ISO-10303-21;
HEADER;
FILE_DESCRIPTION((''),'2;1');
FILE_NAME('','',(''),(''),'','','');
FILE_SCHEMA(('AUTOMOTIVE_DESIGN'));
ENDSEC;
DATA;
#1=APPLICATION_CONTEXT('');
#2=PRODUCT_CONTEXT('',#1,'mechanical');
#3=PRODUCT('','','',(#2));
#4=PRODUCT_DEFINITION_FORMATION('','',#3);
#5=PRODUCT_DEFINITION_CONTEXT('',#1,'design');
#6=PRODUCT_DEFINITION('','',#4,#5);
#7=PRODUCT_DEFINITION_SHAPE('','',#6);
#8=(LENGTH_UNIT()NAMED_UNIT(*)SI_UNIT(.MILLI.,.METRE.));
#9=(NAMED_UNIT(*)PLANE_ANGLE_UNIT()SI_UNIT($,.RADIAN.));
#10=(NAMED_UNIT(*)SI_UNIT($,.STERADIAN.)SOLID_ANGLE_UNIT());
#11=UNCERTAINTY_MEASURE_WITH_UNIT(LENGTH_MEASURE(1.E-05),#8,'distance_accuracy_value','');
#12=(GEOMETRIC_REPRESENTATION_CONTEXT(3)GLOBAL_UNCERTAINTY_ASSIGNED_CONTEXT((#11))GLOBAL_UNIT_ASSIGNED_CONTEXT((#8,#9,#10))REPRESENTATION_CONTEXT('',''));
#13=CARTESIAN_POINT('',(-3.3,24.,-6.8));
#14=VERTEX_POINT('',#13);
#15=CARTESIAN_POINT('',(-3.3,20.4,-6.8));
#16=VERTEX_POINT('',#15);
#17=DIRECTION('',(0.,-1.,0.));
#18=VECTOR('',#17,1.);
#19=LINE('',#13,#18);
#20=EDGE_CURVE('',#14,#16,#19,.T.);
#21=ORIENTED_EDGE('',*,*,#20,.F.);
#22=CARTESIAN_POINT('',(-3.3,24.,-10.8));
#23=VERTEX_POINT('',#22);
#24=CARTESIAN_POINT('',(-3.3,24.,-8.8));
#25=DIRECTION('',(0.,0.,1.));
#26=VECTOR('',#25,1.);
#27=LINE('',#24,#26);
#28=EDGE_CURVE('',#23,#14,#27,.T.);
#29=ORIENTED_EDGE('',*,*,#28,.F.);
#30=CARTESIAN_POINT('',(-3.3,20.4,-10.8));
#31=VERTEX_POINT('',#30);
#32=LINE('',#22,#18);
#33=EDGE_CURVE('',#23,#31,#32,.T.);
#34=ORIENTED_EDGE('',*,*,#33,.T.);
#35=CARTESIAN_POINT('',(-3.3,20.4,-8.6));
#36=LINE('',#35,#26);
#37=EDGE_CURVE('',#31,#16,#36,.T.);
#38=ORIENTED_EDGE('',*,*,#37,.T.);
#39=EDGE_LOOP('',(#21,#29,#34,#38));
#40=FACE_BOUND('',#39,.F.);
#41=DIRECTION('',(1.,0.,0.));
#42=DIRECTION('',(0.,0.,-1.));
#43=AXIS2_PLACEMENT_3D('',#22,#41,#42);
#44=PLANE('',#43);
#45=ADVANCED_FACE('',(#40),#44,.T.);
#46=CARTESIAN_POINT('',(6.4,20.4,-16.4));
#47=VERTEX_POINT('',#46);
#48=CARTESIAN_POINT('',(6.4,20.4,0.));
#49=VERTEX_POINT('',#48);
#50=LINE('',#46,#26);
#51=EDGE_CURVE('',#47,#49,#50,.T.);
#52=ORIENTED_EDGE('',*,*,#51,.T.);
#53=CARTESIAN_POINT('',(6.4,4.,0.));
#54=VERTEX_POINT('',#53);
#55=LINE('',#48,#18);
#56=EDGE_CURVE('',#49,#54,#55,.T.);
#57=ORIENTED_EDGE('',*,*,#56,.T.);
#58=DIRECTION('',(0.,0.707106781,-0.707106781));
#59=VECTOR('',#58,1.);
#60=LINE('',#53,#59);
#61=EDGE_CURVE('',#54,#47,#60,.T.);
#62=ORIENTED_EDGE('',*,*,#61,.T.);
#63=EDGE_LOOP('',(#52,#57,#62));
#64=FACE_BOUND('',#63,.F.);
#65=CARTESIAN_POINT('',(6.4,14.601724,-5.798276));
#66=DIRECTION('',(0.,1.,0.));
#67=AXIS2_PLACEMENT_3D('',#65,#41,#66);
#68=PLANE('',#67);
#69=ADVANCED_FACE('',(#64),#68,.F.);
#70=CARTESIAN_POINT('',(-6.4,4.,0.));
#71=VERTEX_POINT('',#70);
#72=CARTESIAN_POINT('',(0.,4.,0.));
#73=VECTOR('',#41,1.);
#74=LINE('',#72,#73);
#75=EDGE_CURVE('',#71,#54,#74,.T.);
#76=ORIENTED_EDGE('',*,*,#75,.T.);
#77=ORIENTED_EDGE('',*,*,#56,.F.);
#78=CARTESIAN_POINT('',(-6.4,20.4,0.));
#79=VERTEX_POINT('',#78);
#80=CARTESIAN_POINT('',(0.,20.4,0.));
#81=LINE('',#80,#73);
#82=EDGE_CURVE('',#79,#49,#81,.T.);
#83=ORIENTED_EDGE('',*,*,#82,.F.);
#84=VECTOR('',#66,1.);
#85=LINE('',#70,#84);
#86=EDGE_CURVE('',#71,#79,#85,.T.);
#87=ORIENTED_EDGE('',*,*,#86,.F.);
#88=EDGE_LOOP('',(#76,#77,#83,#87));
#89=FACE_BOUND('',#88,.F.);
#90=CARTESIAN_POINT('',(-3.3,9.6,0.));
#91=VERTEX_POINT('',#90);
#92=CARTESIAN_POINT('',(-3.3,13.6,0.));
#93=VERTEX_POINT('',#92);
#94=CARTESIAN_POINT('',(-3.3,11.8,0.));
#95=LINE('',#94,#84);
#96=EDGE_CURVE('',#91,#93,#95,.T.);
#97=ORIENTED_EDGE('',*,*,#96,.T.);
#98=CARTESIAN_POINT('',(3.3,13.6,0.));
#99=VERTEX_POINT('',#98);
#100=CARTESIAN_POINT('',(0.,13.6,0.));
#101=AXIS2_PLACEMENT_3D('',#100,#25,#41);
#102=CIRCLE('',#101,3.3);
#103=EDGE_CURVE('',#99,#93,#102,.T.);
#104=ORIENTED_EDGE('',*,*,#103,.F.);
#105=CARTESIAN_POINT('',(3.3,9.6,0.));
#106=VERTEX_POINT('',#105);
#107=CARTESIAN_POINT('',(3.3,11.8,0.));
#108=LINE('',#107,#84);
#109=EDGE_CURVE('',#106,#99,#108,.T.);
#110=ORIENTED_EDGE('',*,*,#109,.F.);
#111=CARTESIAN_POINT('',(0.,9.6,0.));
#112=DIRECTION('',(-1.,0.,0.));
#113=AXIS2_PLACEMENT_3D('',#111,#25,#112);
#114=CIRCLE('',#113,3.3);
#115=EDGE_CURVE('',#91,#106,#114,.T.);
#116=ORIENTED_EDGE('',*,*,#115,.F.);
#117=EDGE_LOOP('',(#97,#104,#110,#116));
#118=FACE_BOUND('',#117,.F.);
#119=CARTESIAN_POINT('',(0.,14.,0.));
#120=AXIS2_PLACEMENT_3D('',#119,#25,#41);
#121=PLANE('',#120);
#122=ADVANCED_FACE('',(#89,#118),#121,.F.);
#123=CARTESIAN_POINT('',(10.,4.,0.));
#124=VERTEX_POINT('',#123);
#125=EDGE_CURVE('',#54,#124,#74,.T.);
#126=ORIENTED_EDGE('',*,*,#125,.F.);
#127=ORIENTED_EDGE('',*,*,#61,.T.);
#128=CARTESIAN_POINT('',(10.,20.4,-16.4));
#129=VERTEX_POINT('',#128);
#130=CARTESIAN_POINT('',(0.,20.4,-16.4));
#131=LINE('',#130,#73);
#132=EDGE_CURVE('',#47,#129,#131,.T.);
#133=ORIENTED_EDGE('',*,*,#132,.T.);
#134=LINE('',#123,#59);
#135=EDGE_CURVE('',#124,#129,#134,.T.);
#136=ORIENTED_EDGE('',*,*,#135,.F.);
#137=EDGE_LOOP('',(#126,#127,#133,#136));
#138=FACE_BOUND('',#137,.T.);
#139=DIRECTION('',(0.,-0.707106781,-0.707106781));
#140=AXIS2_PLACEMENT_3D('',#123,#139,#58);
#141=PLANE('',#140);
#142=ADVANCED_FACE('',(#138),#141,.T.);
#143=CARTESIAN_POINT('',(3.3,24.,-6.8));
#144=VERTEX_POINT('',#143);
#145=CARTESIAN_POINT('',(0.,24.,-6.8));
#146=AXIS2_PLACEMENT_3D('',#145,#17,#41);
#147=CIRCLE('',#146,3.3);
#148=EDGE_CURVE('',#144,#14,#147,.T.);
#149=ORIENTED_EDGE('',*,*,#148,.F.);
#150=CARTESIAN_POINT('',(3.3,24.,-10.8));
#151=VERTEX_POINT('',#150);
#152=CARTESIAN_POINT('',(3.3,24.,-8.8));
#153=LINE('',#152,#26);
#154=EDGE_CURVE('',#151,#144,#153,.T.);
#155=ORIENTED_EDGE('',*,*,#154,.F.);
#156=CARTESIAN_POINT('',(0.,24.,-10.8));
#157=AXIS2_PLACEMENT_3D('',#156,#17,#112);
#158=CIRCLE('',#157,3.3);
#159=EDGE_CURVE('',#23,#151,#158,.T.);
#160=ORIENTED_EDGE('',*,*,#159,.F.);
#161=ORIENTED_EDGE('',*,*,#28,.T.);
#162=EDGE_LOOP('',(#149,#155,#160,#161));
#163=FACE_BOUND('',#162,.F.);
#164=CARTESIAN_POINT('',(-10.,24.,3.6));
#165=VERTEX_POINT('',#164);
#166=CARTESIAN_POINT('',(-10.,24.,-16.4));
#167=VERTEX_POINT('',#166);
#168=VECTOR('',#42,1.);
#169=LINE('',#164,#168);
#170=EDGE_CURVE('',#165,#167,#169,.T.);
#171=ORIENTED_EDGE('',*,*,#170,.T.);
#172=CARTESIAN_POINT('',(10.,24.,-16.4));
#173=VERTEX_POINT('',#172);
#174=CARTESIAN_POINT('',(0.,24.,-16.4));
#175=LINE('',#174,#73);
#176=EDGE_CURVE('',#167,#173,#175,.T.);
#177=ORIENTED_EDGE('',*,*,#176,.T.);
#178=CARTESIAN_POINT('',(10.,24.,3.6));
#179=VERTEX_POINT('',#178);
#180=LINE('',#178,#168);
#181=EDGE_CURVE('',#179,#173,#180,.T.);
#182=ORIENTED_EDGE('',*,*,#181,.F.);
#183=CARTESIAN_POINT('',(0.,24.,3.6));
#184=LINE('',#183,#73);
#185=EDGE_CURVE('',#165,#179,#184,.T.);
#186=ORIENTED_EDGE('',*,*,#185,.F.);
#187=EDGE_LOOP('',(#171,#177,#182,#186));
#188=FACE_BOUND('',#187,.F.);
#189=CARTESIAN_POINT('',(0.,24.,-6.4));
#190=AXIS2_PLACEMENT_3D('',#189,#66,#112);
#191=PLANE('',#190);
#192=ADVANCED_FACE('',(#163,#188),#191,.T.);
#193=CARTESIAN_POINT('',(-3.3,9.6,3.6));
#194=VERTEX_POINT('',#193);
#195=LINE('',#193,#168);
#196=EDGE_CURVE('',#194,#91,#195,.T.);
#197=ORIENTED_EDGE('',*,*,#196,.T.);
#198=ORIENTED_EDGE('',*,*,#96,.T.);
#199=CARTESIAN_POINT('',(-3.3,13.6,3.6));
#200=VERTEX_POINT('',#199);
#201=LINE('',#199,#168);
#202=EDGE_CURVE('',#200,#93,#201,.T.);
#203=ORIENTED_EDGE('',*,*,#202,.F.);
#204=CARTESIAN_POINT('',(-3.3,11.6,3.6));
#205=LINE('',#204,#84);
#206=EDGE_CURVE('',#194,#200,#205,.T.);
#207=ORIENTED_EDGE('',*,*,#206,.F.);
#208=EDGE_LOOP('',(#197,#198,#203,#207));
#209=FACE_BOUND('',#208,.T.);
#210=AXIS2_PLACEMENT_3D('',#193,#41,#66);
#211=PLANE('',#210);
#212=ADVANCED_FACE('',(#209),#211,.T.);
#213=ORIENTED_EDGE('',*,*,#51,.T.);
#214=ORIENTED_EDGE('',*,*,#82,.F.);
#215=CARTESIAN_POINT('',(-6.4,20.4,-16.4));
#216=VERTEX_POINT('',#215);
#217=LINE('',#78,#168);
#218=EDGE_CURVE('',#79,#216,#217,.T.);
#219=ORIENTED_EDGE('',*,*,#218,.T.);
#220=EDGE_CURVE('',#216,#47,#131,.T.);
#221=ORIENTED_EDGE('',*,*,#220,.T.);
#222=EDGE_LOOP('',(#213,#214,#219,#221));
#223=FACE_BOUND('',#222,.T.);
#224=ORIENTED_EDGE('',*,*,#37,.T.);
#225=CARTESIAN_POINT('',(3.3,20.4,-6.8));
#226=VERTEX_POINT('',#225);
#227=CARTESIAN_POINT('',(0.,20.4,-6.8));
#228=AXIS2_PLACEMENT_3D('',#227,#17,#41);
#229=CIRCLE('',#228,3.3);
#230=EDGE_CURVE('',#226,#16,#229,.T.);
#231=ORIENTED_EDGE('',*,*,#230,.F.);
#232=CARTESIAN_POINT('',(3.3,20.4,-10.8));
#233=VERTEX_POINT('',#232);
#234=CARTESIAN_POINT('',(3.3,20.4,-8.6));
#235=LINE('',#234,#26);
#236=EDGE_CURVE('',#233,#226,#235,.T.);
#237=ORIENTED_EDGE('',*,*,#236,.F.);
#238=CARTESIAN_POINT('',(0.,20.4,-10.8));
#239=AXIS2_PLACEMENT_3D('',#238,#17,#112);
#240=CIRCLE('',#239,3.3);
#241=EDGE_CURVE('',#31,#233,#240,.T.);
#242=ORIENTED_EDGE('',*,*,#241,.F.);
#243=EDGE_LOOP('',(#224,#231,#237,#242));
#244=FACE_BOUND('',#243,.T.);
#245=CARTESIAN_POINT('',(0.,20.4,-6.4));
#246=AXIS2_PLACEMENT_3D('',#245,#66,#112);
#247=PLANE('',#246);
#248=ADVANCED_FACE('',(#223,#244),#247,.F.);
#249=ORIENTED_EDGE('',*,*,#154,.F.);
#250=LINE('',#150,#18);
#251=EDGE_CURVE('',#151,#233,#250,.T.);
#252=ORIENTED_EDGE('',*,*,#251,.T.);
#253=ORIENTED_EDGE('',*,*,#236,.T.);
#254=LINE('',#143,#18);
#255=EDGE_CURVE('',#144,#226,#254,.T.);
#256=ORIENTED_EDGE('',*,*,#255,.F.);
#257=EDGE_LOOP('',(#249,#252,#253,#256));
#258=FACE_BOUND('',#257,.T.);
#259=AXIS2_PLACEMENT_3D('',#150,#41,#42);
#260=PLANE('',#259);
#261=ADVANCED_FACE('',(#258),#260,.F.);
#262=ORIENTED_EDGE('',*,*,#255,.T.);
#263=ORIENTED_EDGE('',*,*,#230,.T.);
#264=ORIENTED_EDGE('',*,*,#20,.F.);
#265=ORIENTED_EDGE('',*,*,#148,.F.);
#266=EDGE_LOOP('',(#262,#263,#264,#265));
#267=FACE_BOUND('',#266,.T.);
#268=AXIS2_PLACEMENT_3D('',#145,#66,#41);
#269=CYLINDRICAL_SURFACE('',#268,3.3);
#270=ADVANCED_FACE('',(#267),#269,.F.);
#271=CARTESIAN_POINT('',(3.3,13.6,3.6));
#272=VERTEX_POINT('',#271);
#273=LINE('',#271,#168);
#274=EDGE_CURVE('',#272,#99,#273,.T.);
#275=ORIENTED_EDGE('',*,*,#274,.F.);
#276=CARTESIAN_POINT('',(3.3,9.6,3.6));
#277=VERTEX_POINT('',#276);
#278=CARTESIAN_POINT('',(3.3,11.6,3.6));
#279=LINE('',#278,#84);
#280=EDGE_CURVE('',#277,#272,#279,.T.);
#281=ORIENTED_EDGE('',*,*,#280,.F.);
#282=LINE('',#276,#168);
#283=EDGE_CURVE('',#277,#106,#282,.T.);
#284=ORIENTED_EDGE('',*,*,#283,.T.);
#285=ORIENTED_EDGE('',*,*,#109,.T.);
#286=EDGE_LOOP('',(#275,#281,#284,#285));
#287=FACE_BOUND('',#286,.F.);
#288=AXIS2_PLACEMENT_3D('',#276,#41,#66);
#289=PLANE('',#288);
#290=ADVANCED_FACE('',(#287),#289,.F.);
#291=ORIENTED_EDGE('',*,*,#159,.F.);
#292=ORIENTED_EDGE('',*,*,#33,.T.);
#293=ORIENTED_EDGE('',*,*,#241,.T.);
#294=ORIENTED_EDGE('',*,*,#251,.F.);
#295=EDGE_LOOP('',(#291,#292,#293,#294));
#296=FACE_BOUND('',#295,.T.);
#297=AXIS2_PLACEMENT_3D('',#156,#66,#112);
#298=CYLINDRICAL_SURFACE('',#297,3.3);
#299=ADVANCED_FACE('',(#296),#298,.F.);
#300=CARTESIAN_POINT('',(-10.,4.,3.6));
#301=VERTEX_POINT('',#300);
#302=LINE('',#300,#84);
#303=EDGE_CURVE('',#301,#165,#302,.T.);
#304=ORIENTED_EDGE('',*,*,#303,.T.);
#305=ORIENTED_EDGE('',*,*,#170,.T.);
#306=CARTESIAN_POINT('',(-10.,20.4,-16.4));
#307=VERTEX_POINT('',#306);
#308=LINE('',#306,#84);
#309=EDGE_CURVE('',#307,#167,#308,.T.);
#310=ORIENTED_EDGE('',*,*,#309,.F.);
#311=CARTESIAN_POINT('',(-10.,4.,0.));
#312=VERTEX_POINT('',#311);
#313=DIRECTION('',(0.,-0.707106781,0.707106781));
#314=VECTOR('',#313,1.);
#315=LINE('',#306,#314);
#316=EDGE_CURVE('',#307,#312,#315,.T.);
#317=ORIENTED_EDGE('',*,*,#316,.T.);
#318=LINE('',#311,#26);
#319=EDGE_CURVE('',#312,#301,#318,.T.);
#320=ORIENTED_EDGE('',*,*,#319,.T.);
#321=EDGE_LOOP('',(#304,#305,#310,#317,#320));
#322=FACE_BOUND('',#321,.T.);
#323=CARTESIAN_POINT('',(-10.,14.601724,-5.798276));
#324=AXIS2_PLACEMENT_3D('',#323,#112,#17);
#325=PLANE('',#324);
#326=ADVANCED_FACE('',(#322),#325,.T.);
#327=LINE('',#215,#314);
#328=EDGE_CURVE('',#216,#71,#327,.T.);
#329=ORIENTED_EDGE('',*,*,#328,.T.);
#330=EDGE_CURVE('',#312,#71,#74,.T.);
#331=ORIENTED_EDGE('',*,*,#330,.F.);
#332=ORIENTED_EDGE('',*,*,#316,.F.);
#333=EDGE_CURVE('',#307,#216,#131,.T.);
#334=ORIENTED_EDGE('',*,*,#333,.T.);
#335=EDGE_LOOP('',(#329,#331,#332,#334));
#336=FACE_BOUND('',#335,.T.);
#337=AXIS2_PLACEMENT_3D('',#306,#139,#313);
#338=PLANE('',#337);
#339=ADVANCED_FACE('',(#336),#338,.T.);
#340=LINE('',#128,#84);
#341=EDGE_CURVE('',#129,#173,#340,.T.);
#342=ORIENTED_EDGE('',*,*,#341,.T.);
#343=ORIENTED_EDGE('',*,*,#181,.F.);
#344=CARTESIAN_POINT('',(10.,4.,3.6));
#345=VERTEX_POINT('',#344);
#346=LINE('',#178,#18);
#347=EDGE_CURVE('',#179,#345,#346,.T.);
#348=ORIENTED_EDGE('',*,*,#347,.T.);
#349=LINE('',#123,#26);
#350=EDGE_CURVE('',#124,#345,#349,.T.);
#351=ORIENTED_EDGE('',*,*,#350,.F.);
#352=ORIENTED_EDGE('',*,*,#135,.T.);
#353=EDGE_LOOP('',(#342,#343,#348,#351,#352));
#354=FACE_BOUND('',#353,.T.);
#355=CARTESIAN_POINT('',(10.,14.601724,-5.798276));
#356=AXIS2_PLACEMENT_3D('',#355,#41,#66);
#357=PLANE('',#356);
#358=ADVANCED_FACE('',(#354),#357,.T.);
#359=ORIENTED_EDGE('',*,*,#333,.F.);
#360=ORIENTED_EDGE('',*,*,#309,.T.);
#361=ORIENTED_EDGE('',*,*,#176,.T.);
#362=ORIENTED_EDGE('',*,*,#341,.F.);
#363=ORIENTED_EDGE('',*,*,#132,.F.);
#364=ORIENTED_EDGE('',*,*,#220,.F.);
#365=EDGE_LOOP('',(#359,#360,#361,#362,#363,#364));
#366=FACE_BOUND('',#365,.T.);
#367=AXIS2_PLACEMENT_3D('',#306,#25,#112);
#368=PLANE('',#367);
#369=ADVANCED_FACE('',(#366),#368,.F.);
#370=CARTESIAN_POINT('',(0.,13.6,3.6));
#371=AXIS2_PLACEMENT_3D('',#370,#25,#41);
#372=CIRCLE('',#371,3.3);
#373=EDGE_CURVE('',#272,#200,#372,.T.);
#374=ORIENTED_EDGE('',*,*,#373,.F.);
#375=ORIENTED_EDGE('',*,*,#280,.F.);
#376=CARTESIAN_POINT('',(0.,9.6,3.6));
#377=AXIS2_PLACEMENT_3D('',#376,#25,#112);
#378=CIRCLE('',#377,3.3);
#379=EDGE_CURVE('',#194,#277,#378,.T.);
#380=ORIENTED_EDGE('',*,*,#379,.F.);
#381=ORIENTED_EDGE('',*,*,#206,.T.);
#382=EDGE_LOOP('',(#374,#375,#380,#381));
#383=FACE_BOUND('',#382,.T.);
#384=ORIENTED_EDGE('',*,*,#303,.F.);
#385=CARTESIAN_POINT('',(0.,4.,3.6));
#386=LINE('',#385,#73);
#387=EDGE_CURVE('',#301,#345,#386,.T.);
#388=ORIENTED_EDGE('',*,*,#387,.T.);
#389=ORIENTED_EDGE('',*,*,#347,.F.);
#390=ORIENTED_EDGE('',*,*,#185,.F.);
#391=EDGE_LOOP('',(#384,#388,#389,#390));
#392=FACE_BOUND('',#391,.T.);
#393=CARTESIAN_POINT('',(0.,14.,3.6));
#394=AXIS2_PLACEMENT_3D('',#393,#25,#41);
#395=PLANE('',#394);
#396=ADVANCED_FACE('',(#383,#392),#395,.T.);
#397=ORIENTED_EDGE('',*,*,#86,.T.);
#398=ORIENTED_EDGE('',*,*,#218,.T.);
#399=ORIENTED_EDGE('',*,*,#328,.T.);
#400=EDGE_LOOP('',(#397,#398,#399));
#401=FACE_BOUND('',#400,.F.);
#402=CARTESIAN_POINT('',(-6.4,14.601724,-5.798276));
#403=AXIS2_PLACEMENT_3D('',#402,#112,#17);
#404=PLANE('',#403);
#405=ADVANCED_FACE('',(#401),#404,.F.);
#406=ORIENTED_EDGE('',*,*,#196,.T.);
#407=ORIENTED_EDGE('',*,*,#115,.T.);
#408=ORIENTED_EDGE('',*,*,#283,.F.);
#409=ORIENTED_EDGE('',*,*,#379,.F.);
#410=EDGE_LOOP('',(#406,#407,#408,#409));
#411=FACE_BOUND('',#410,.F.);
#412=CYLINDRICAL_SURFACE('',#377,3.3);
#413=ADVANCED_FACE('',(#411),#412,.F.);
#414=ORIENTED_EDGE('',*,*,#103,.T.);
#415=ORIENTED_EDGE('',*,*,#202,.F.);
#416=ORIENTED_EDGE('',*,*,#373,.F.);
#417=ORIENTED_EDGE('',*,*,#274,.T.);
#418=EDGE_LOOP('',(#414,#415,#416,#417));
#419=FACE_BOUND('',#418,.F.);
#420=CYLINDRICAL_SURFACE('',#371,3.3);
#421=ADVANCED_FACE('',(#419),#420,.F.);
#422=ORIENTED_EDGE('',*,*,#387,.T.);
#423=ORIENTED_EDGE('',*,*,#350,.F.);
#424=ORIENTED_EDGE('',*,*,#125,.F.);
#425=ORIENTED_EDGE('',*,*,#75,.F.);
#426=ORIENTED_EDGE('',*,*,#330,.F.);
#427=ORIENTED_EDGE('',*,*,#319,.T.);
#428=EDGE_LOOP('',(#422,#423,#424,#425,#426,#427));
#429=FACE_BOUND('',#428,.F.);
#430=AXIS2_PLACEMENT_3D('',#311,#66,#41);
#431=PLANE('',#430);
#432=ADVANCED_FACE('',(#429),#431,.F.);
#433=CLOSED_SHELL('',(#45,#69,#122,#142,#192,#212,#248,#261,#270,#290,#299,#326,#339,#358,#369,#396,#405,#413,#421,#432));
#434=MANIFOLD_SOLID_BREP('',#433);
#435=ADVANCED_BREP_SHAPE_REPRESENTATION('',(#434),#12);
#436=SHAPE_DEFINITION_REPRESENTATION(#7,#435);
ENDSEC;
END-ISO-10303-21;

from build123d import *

# Parameters (mm, degrees)
F0_W      = 20
F0_H      = 20
F1_DEPTH  = 3.6
F2_W      = 6.6
F2_H      = 4
F3_DEPTH  = 25
F5_ANGLE  = 90
F8_DEPTH  = 3.6
F10_DEPTH = 3.6


with BuildPart() as f1:
    # F0 (on Top) → F1 (new body)
    with BuildSketch(Plane.XY):
        with Locations((0, 14)):
            Rectangle(F0_W, F0_H)
    extrude(amount=F1_DEPTH)

    # F2 (on face) → F3 (cut)
    with BuildSketch(Plane.XY.offset(3.6)):
        with BuildLine():
            ThreePointArc((3.3, 13.6), (0, 16.9), (-3.3, 13.6))
            Line((-3.3, 13.6), (3.3, 13.6))
        make_face()
        with Locations((0, 11.6)):
            Rectangle(F2_W, F2_H)
        with BuildLine():
            Line((3.3, 9.6), (-3.3, 9.6))
            ThreePointArc((-3.3, 9.6), (0, 6.3), (3.3, 9.6))
        make_face()
    extrude(amount=-F3_DEPTH, mode=Mode.SUBTRACT)


with BuildPart() as f4_1:
    # F4: instance of F1
    add(f1.part.mirror(Plane(origin=(0, 24, 1.8), x_dir=(-1, 0, 0), z_dir=(0, 1, 0))))


with BuildPart() as f4_1_1:
    # F5: moved
    add(f4_1.part.rotate(Axis((0, 24, 3.6), (-1, 0, 0)), F5_ANGLE))


with BuildPart() as f1_1:
    add(f1.part)

    # F6: union F4_1
    add(f4_1_1.part)

    # F7 (on face) → F8 (join)
    with BuildSketch(Plane.YZ.offset(10)):
        Polygon((20.4, 0), (4, 0), (20.4, -16.4), align=None)
    extrude(amount=-F8_DEPTH)

    # F9 (on face) → F10 (join)
    with BuildSketch(Plane(origin=(-10, 0, 0), x_dir=(0, -1, 0), z_dir=(-1, 0, 0))):
        Polygon((-20.4, -16.4), (-4, 0), (-20.4, 0), align=None)
    extrude(amount=-F10_DEPTH)


solid = f1_1.part
